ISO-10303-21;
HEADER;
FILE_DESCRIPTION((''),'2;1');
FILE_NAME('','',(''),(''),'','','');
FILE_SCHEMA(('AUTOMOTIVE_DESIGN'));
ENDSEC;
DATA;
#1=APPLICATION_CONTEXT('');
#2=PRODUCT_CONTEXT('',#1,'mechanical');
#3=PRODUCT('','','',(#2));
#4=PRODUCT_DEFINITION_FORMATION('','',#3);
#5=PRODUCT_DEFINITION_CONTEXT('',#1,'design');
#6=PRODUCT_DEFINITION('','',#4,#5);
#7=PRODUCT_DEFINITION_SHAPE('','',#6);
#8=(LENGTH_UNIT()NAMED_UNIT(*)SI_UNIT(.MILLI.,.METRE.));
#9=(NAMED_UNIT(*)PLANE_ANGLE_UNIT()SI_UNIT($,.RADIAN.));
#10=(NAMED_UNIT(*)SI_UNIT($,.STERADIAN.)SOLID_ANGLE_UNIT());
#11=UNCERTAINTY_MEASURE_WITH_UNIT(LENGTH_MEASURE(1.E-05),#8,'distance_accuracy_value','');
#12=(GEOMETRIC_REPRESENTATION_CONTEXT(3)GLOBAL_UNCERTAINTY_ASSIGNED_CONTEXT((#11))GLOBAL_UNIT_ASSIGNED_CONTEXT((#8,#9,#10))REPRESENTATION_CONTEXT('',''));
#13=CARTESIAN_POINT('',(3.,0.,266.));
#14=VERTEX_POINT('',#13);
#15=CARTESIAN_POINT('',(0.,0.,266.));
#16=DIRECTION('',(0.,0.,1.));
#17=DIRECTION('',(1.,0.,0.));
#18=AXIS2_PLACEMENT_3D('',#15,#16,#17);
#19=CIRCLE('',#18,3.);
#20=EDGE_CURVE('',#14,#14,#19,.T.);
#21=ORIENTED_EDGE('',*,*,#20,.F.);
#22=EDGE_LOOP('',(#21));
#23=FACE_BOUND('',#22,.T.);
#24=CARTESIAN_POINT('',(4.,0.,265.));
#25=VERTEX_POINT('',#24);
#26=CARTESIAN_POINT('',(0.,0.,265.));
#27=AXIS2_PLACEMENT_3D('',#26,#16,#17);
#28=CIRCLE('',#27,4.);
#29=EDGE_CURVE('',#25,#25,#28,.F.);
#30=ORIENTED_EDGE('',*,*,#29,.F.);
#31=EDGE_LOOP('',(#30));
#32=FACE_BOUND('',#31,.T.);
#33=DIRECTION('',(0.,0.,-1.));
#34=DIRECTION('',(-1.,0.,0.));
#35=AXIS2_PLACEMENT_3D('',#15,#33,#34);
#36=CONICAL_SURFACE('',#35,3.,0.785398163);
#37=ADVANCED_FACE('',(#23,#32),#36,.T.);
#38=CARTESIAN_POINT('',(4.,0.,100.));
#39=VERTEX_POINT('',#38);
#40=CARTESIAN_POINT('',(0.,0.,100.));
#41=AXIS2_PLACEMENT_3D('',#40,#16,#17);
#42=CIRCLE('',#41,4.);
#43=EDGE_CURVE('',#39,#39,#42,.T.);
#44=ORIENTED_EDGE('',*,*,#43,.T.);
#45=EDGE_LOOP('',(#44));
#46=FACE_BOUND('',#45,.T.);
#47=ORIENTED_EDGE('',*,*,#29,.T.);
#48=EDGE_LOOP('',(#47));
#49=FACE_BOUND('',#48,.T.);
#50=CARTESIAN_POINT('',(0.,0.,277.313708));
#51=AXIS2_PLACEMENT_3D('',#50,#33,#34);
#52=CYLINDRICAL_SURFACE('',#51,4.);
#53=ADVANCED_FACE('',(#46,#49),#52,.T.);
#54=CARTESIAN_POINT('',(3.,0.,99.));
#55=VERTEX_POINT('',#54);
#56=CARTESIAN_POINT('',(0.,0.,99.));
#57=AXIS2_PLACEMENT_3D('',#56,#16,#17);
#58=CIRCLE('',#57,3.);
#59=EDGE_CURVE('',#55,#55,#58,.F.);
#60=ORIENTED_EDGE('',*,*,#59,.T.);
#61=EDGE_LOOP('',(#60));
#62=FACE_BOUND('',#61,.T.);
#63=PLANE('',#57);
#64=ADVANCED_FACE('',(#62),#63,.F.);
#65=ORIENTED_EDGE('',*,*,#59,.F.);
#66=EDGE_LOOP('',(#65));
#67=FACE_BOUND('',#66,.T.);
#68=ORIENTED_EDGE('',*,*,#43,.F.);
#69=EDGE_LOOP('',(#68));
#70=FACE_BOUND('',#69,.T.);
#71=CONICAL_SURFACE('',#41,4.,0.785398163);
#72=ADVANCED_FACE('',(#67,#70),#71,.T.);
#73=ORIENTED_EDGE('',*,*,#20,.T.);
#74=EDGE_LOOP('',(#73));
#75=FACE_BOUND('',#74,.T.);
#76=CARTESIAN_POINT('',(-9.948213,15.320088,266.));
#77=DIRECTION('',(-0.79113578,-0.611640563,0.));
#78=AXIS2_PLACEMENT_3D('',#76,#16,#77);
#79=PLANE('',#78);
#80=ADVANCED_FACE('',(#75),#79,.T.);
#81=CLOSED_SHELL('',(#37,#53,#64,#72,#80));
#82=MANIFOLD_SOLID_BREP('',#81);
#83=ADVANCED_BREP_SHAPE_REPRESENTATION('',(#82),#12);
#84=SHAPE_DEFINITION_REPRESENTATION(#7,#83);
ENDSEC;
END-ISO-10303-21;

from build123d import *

# Parameters (mm, degrees)
SCHIZZO1_R                   = 4
ESTRUSIONE_ESTRUSIONE1_DEPTH = 167
SMUSSO1_SIZE                 = 1


with BuildPart() as part:
    # Schizzo1 → Estrusione-Estrusione1 (new body)
    with BuildSketch(Plane.XY.offset(99)):
        Circle(SCHIZZO1_R)
    extrude(amount=ESTRUSIONE_ESTRUSIONE1_DEPTH)

    # Smusso1
    smusso1_edges = [part.edges().sort_by_distance(p)[0] for p in [
        (-4, 0, 99),
        (-4, 0, 266),
    ]]
    chamfer(smusso1_edges, length=SMUSSO1_SIZE)


solid = part.part
